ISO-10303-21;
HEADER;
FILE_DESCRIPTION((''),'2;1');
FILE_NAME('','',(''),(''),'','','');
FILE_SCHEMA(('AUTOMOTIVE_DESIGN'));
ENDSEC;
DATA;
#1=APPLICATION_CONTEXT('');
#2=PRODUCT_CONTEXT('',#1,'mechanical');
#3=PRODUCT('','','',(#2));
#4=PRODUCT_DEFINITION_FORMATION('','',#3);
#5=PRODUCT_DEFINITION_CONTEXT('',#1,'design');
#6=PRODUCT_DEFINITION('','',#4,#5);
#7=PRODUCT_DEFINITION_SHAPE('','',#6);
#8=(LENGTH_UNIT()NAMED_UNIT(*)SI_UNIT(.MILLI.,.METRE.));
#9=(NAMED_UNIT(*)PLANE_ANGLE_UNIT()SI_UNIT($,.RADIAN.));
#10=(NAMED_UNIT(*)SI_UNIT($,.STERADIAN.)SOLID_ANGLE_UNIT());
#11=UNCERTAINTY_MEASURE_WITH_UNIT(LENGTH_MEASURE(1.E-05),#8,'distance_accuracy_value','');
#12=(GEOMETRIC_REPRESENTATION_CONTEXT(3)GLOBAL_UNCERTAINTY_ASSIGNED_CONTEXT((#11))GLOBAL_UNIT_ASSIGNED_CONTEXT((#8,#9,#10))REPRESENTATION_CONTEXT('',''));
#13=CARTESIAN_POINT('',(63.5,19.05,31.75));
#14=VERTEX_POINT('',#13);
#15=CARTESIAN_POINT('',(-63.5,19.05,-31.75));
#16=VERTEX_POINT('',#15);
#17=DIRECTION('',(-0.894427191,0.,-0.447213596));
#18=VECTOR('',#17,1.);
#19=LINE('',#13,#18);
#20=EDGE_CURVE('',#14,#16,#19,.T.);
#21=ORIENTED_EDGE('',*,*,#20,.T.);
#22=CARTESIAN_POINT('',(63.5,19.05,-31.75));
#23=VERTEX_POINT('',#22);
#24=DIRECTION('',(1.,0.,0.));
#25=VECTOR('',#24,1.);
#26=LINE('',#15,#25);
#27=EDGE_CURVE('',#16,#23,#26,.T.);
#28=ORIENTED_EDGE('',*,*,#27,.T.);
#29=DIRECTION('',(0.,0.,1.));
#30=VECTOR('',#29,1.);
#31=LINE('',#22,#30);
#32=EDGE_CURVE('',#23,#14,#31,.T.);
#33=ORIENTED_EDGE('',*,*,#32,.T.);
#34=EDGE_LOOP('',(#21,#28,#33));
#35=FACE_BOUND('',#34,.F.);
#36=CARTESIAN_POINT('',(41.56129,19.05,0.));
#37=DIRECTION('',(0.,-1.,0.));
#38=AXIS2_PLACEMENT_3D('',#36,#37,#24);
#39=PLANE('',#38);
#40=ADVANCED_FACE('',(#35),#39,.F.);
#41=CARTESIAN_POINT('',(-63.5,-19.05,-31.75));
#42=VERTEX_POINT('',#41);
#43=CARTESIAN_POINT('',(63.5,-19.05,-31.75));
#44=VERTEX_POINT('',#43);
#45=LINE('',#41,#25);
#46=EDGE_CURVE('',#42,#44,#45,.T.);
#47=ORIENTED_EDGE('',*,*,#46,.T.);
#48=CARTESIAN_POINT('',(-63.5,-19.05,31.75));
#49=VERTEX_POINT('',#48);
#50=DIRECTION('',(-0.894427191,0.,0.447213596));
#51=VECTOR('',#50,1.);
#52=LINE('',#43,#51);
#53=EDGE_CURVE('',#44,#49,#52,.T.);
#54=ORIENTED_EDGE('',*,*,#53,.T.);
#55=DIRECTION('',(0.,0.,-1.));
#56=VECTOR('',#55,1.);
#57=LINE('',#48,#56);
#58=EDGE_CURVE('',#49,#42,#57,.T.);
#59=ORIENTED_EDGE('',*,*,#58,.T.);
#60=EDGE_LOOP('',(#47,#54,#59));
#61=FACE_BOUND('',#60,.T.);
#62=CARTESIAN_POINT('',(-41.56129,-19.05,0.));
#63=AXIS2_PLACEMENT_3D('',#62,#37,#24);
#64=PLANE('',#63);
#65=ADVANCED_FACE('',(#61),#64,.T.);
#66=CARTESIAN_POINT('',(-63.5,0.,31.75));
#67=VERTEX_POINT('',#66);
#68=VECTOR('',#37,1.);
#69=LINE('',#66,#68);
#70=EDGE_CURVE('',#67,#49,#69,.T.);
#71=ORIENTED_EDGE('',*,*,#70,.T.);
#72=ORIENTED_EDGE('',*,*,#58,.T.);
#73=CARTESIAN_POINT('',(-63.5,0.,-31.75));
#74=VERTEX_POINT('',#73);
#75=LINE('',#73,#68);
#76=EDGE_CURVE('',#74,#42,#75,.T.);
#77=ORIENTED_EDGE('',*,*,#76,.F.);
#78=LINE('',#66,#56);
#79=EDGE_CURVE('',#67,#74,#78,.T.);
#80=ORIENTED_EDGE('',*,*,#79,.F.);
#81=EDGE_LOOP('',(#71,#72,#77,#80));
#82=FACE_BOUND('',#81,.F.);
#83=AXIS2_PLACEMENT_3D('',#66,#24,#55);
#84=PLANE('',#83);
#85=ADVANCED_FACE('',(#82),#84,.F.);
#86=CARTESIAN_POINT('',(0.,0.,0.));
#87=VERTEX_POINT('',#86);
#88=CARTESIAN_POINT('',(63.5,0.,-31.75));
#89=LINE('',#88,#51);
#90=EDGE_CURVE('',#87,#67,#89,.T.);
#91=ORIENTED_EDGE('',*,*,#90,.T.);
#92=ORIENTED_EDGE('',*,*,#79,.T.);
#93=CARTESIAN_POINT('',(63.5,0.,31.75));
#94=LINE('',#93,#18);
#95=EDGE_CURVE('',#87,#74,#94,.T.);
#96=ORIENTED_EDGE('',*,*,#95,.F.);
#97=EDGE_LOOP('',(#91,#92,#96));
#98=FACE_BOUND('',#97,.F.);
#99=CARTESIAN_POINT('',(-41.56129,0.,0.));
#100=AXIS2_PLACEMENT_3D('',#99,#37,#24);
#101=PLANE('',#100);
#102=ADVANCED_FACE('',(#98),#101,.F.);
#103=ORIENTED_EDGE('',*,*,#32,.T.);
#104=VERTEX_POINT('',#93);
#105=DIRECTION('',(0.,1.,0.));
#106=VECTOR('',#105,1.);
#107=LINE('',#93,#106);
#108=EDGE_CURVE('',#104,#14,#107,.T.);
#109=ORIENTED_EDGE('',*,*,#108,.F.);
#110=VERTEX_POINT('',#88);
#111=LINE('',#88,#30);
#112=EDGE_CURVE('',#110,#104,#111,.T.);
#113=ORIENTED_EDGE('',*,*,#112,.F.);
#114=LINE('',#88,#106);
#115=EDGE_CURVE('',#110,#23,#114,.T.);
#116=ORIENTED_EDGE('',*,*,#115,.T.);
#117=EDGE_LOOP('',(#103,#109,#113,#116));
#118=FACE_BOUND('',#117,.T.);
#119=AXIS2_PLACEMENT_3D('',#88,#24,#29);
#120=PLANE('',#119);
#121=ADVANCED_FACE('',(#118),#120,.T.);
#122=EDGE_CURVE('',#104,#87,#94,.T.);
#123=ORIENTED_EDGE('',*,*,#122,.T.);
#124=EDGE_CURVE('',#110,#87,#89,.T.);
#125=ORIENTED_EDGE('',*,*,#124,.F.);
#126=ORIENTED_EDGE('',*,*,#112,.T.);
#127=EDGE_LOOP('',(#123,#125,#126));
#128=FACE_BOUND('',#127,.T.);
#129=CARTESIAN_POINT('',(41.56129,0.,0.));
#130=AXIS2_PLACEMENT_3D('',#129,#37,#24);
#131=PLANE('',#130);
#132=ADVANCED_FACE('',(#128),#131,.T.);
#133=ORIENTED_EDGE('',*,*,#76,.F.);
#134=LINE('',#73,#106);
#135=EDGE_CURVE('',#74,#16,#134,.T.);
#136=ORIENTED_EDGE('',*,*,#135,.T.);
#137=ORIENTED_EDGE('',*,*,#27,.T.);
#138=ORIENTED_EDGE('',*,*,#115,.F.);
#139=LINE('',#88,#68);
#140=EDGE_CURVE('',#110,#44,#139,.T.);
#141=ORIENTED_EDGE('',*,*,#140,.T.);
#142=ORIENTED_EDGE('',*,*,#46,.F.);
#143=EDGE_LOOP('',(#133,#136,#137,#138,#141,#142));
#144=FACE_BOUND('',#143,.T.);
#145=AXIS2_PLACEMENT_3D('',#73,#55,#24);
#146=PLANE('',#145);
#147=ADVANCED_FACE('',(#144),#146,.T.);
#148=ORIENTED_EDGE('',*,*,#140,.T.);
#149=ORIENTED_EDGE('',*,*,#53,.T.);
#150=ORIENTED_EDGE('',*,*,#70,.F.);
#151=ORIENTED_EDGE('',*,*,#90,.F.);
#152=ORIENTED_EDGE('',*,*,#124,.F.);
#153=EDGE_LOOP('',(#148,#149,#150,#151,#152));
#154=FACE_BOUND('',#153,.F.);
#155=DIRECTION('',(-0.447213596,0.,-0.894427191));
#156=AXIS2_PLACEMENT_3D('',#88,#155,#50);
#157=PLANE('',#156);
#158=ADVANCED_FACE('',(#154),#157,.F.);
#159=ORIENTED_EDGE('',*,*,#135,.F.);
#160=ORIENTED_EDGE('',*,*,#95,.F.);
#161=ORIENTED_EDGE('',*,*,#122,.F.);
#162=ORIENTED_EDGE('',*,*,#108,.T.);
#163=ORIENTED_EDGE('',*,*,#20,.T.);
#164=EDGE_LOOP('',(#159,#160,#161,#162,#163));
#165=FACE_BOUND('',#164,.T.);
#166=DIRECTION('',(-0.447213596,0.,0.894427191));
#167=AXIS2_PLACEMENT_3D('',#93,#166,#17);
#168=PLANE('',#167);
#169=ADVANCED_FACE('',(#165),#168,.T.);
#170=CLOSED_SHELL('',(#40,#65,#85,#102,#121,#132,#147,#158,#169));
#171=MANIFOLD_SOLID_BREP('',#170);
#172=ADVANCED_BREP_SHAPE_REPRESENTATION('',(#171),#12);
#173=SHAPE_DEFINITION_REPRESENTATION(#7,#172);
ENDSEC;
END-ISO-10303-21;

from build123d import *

# Parameters (mm, degrees)
F1_DEPTH = 19.05
F2_DEPTH = 19.05


with BuildPart() as f1:
    # F0 (on Front) → F1 (new body)
    with BuildSketch(Plane.XZ):
        Polygon((-63.5, 31.75), (-63.5, -31.75), (0, 0), align=None)
        Polygon((-63.5, -31.75), (63.5, -31.75), (0, 0), align=None)
    extrude(amount=F1_DEPTH)

    # F0 (on Front) → F2 (join)
    with BuildSketch(Plane.XZ):
        Polygon((0, 0), (63.5, -31.75), (63.5, 31.75), align=None)
        Polygon((-63.5, -31.75), (63.5, -31.75), (0, 0), align=None)
    extrude(amount=-F2_DEPTH)


solid = f1.part
